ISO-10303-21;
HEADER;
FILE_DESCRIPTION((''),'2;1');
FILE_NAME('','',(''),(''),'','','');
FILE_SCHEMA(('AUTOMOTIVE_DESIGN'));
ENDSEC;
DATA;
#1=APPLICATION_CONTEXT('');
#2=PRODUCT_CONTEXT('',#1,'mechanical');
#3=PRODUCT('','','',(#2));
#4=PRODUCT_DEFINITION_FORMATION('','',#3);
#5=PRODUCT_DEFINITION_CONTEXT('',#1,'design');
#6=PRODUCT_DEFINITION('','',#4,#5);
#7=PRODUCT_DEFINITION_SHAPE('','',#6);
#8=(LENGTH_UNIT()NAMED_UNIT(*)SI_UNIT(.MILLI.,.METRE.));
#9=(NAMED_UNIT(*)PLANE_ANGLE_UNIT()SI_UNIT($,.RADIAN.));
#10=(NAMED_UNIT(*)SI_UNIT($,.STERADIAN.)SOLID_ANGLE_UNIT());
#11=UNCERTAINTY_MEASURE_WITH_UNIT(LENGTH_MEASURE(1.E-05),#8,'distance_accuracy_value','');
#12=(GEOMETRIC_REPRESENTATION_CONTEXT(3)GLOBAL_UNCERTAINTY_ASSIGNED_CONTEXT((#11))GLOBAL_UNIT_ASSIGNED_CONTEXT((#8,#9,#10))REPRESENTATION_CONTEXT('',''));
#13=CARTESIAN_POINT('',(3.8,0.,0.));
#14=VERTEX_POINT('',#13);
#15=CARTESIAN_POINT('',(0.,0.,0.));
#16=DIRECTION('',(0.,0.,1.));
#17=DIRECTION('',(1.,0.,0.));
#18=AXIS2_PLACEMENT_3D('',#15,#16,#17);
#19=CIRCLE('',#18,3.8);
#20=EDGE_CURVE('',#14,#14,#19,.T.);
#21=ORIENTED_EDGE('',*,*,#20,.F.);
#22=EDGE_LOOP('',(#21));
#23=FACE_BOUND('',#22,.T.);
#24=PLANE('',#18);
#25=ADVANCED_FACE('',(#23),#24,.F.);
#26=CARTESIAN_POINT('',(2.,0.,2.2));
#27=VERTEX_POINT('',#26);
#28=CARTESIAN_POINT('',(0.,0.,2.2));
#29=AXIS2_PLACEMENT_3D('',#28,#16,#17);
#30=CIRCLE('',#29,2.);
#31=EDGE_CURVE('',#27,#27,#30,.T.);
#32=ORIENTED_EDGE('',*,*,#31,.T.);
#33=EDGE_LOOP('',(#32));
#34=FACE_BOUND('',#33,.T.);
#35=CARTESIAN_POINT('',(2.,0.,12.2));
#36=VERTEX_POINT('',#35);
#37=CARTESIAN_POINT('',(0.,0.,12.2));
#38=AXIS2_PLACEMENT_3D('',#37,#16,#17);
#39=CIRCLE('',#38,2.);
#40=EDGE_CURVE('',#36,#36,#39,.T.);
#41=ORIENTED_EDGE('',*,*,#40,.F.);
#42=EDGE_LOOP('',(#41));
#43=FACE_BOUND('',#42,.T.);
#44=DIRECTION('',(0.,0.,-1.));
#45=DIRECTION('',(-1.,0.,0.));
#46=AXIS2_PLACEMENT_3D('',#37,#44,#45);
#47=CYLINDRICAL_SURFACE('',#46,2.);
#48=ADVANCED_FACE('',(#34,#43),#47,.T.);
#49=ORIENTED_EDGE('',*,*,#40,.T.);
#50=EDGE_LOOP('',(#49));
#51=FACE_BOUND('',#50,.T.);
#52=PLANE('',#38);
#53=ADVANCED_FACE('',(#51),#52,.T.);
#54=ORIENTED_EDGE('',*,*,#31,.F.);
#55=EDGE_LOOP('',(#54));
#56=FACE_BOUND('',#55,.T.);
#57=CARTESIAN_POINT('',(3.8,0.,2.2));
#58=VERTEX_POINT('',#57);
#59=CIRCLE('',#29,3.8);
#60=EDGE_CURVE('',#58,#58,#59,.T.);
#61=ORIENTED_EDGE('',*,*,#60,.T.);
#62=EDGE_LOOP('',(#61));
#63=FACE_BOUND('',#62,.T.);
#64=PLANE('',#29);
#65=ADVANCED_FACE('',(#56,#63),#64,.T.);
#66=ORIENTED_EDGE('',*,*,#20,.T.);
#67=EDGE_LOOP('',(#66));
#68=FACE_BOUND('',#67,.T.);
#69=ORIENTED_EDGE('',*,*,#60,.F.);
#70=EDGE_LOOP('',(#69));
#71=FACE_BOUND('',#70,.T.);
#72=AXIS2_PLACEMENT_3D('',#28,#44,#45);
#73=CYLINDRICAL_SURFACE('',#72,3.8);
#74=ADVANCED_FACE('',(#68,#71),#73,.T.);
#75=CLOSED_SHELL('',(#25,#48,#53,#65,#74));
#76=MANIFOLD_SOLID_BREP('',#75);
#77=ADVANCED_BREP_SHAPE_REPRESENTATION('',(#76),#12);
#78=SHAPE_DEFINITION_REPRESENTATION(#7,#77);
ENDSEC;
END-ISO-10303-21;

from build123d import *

# Parameters (mm, degrees)
SKETCH_1_R      = 3.8
EXTRUDE_1_DEPTH = 2.2
SKETCH_2_R      = 2
EXTRUDE_2_DEPTH = 10


with BuildPart() as part:
    # 草图1 → 凸台-拉伸1 (new body)
    with BuildSketch(Plane.XY):
        Circle(SKETCH_1_R)
    extrude(amount=EXTRUDE_1_DEPTH)

    # 草图2 → 凸台-拉伸2 (add)
    with BuildSketch(Plane.XY.offset(2.2)):
        Circle(SKETCH_2_R)
    extrude(amount=EXTRUDE_2_DEPTH)


solid = part.part
